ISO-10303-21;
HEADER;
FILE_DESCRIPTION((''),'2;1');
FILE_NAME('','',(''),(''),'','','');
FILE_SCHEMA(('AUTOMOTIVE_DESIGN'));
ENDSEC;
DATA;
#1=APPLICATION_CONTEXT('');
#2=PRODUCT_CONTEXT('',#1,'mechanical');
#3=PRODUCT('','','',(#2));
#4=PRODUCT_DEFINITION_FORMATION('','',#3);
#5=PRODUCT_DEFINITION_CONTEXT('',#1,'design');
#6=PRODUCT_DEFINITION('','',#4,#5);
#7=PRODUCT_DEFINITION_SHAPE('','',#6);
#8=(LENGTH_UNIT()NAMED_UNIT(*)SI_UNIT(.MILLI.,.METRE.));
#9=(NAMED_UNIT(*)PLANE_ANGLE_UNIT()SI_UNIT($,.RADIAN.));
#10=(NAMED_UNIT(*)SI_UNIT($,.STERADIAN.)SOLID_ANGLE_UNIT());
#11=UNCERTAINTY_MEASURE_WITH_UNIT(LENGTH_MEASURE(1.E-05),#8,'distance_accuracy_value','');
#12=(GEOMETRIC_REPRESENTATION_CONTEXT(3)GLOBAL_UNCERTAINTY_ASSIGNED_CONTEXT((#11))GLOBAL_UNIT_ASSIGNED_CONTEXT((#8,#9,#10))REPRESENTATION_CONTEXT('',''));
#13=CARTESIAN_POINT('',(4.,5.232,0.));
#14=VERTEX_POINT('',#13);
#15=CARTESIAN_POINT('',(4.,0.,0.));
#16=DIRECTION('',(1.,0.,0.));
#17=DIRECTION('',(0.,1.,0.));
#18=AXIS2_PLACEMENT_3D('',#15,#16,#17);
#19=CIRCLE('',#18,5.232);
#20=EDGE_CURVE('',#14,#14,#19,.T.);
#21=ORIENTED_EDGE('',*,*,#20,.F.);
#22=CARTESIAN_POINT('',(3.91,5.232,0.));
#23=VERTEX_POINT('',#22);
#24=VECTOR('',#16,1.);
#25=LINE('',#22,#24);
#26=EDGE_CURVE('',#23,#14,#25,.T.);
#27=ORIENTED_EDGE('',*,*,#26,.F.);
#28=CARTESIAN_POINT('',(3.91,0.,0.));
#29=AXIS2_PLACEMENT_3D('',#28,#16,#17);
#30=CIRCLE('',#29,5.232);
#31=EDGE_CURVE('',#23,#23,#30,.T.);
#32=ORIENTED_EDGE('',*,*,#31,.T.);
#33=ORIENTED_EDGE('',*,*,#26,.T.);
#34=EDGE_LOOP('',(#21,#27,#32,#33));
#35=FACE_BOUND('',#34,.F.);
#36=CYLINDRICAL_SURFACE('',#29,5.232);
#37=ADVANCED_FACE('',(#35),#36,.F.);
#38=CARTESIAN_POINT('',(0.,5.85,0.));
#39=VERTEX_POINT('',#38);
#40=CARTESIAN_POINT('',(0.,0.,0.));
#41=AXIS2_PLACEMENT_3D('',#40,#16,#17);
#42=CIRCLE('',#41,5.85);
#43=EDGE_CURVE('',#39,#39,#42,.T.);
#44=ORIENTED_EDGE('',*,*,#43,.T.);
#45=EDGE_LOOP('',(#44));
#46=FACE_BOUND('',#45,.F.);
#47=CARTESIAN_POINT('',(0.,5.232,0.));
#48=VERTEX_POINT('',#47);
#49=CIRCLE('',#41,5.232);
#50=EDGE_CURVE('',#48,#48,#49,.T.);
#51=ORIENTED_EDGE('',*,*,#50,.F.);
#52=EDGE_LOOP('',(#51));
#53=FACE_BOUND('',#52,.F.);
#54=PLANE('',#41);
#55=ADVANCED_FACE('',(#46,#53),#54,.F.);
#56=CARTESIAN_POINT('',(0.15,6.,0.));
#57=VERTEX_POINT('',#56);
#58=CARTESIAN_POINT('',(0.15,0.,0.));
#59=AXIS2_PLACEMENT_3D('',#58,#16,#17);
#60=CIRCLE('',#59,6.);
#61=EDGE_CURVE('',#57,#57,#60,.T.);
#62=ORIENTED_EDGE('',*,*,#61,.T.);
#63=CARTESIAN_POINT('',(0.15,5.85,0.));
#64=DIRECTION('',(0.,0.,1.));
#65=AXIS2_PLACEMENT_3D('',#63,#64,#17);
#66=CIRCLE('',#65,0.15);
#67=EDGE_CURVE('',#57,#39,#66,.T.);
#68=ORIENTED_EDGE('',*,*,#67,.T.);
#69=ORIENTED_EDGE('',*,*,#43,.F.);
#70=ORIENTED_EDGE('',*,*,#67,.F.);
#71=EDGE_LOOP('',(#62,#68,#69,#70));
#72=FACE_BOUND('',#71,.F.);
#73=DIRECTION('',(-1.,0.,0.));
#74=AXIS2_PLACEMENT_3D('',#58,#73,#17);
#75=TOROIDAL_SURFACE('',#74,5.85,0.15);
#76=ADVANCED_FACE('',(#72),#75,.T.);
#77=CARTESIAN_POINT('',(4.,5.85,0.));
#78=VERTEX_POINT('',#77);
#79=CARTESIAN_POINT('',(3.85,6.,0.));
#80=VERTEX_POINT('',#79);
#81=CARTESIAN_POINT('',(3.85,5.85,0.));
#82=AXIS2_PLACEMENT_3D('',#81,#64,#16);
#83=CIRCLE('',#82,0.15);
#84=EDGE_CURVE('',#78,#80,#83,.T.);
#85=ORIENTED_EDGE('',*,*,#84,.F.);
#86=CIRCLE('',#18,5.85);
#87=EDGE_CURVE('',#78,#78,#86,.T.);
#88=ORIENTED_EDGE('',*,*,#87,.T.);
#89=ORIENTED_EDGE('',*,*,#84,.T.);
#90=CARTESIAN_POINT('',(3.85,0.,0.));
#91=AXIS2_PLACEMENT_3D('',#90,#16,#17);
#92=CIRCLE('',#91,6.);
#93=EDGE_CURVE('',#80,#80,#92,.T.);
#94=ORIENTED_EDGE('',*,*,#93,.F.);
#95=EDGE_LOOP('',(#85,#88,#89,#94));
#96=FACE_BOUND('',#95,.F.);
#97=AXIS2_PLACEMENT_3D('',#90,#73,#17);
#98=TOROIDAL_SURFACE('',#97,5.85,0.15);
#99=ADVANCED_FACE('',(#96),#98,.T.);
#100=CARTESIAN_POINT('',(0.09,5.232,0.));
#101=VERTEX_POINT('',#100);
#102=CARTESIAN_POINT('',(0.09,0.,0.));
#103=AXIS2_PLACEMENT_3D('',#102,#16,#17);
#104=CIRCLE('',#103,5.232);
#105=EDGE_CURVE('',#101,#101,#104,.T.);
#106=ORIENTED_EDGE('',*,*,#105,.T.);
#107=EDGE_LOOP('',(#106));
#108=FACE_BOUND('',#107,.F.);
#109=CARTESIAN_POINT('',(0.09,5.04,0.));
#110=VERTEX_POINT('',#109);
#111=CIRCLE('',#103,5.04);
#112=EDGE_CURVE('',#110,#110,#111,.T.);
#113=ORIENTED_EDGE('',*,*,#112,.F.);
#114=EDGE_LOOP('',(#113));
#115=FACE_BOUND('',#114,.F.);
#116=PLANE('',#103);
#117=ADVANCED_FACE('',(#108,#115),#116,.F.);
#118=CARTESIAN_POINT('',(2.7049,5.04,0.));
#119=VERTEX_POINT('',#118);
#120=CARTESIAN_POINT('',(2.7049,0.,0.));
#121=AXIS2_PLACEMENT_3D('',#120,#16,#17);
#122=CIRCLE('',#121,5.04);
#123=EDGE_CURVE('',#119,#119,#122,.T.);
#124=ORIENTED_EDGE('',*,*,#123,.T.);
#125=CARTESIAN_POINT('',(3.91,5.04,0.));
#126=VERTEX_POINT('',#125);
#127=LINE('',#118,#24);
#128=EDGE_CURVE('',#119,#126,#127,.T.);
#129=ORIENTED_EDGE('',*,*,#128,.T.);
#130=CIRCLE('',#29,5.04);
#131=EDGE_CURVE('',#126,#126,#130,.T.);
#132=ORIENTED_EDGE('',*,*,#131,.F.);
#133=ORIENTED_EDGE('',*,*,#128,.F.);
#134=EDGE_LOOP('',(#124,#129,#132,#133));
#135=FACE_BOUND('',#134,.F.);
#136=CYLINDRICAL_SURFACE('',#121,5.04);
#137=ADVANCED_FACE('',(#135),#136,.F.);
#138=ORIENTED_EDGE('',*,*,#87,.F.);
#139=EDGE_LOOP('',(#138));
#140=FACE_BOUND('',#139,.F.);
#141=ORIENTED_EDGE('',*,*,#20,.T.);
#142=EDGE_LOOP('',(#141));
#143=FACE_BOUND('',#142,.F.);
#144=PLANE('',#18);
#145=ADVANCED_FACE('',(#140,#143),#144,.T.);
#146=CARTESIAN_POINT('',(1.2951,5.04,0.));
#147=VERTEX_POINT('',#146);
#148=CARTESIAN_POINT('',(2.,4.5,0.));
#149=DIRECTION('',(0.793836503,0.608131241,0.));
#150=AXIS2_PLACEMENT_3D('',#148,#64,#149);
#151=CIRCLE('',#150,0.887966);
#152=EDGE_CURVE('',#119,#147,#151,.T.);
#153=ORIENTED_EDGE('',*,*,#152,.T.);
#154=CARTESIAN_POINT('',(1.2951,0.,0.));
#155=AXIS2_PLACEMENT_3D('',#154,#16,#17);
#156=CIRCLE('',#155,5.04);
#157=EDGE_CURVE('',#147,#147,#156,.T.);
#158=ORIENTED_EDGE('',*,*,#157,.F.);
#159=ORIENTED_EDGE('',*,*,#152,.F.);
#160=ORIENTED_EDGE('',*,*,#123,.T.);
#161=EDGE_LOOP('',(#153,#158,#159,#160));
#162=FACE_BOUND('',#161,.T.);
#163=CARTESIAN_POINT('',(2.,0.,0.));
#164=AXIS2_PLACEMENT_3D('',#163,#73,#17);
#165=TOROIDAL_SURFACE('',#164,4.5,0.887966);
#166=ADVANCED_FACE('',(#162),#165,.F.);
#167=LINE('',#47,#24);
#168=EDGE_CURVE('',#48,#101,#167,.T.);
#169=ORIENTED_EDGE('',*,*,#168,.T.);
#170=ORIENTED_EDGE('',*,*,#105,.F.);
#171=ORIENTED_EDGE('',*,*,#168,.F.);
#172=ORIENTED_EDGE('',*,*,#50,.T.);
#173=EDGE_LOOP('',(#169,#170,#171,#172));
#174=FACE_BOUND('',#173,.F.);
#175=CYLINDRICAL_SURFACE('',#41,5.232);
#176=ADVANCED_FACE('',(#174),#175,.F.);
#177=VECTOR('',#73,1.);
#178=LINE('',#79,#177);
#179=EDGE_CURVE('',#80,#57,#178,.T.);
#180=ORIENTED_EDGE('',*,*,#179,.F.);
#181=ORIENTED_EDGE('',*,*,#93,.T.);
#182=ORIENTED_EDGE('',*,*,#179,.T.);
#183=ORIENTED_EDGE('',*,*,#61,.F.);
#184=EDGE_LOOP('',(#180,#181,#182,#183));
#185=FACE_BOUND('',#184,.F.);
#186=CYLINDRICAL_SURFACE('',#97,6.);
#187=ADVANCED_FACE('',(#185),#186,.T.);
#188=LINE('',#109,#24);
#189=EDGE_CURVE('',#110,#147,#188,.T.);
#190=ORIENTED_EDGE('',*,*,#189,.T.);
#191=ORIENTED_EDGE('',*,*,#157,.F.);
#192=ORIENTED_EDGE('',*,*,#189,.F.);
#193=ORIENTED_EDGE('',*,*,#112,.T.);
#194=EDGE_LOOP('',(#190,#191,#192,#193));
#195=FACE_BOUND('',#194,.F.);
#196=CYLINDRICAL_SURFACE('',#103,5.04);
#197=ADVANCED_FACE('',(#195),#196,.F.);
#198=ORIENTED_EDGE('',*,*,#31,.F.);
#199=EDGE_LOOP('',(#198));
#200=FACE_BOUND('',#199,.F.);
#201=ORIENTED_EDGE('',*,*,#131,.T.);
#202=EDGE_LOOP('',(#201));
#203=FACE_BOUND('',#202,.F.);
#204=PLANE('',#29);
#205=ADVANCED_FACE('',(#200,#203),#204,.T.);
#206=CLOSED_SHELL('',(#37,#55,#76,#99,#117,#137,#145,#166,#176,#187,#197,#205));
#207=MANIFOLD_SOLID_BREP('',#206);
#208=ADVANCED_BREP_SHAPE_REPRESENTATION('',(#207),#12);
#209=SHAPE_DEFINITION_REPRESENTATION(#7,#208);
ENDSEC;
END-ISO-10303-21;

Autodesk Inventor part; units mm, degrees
sketch "Sketch_3" plane through (0, 0, 0) normal (0, 0, 1) x (1, 0, 0)
  line L0 (4, 0) -> (0, 0)
  line L1 (0, 5.232) -> (0.09, 5.232)
  line L2 (0.09, 5.232) -> (0.09, 5.04)
  line L3 (0.09, 5.04) -> (1.2951, 5.04)
  arc A0 (2.7049, 5.04) -> (1.2951, 5.04) centre (2, 4.5) ccw
  line L4 (2.7049, 5.04) -> (3.91, 5.04)
  line L5 (3.91, 5.04) -> (3.91, 5.232)
  line L6 (3.91, 5.232) -> (4, 5.232)
  line L7 (4, 5.232) -> (4, 5.85)
  arc A1 (4, 5.85) -> (3.85, 6) centre (3.85, 5.85) ccw
  line L8 (3.85, 6) -> (0.15, 6)
  arc A2 (0.15, 6) -> (0, 5.85) centre (0.15, 5.85) ccw
  line L9 (0, 5.85) -> (0, 5.232)
revolve "Revolution1" add sketch "Sketch_3" angle 360 about axis through (4, 0, 0) along (1, 0, 0)
ref_plane "mss_or_XY" through (0, 0, 0) normal (1, 0, 0) x (0, 0, -1)
ref_plane "mss_or_YZ" through (0, 0, 0) normal (0, 0, -1) x (0, 1, 0)
ref_plane "mss_or_ZX" through (0, 0, 0) normal (0, 1, 0) x (1, 0, 0)
ref_plane "mss_or11_XY" through (4, 0, 0) normal (1, 0, 0) x (0, 0, -1)
ref_plane "mss_or11_YZ" through (4, 0, 0) normal (0, 0, -1) x (0, 1, 0)
ref_plane "mss_or11_ZX" through (4, 0, 0) normal (0, 1, 0) x (1, 0, 0)
ref_plane "mss_or2_1_XY" through (1.5, 4.5, 0) normal (1, 0, 0) x (0, 0, -1)
ref_plane "mss_or2_1_YZ" through (1.5, 4.5, 0) normal (0, 0, -1) x (0, 1, 0)
ref_plane "mss_or2_1_ZX" through (1.5, 4.5, 0) normal (0, 1, 0) x (1, 0, 0)
ref_plane "mss_or2_2_XY" through (1.5, 3.4472, 2.8925) normal (1, 0, 0) x (0, 0, -1)
ref_plane "mss_or2_2_YZ" through (1.5, 3.4472, 2.8925) normal (0, 0, -1) x (0, 1, 0)
ref_plane "mss_or2_2_ZX" through (1.5, 3.4472, 2.8925) normal (0, 1, 0) x (1, 0, 0)
ref_plane "mss_or2_3_XY" through (1.5, 0.7814, 4.4316) normal (1, 0, 0) x (0, 0, -1)
ref_plane "mss_or2_3_YZ" through (1.5, 0.7814, 4.4316) normal (0, 0, -1) x (0, 1, 0)
ref_plane "mss_or2_3_ZX" through (1.5, 0.7814, 4.4316) normal (0, 1, 0) x (1, 0, 0)
ref_plane "mss_or2_4_XY" through (1.5, -2.25, 3.8971) normal (1, 0, 0) x (0, 0, -1)
ref_plane "mss_or2_4_YZ" through (1.5, -2.25, 3.8971) normal (0, 0, -1) x (0, 1, 0)
ref_plane "mss_or2_4_ZX" through (1.5, -2.25, 3.8971) normal (0, 1, 0) x (1, 0, 0)
ref_plane "mss_or2_5_XY" through (1.5, -4.2286, 1.5391) normal (1, 0, 0) x (0, 0, -1)
ref_plane "mss_or2_5_YZ" through (1.5, -4.2286, 1.5391) normal (0, 0, -1) x (0, 1, 0)
ref_plane "mss_or2_5_ZX" through (1.5, -4.2286, 1.5391) normal (0, 1, 0) x (1, 0, 0)
ref_plane "mss_or2_6_XY" through (1.5, -4.2286, -1.5391) normal (1, 0, 0) x (0, 0, -1)
ref_plane "mss_or2_6_YZ" through (1.5, -4.2286, -1.5391) normal (0, 0, -1) x (0, 1, 0)
ref_plane "mss_or2_6_ZX" through (1.5, -4.2286, -1.5391) normal (0, 1, 0) x (1, 0, 0)
ref_plane "mss_or2_7_XY" through (1.5, -2.25, -3.8971) normal (1, 0, 0) x (0, 0, -1)
ref_plane "mss_or2_7_YZ" through (1.5, -2.25, -3.8971) normal (0, 0, -1) x (0, 1, 0)
ref_plane "mss_or2_7_ZX" through (1.5, -2.25, -3.8971) normal (0, 1, 0) x (1, 0, 0)
ref_plane "mss_or2_8_XY" through (1.5, 0.7814, -4.4316) normal (1, 0, 0) x (0, 0, -1)
ref_plane "mss_or2_8_YZ" through (1.5, 0.7814, -4.4316) normal (0, 0, -1) x (0, 1, 0)
ref_plane "mss_or2_8_ZX" through (1.5, 0.7814, -4.4316) normal (0, 1, 0) x (1, 0, 0)
ref_plane "mss_or2_9_XY" through (1.5, 3.4472, -2.8925) normal (1, 0, 0) x (0, 0, -1)
ref_plane "mss_or2_9_YZ" through (1.5, 3.4472, -2.8925) normal (0, 0, -1) x (0, 1, 0)
ref_plane "mss_or2_9_ZX" through (1.5, 3.4472, -2.8925) normal (0, 1, 0) x (1, 0, 0)
ref_plane "mss_or21_1_XY" through (2, 4.5, 0) normal (1, 0, 0) x (0, 0, -1)
ref_plane "mss_or21_1_YZ" through (2, 4.5, 0) normal (0, 0, -1) x (0, 1, 0)
ref_plane "mss_or21_1_ZX" through (2, 4.5, 0) normal (0, 1, 0) x (1, 0, 0)
ref_plane "mss_or21_2_XY" through (2, 3.4472, 2.8925) normal (1, 0, 0) x (0, 0, -1)
ref_plane "mss_or21_2_YZ" through (2, 3.4472, 2.8925) normal (0, 0, -1) x (0, 1, 0)
ref_plane "mss_or21_2_ZX" through (2, 3.4472, 2.8925) normal (0, 1, 0) x (1, 0, 0)
ref_plane "mss_or21_3_XY" through (2, 0.7814, 4.4316) normal (1, 0, 0) x (0, 0, -1)
ref_plane "mss_or21_3_YZ" through (2, 0.7814, 4.4316) normal (0, 0, -1) x (0, 1, 0)
ref_plane "mss_or21_3_ZX" through (2, 0.7814, 4.4316) normal (0, 1, 0) x (1, 0, 0)
ref_plane "mss_or21_4_XY" through (2, -2.25, 3.8971) normal (1, 0, 0) x (0, 0, -1)
ref_plane "mss_or21_4_YZ" through (2, -2.25, 3.8971) normal (0, 0, -1) x (0, 1, 0)
ref_plane "mss_or21_4_ZX" through (2, -2.25, 3.8971) normal (0, 1, 0) x (1, 0, 0)
ref_plane "mss_or21_5_XY" through (2, -4.2286, 1.5391) normal (1, 0, 0) x (0, 0, -1)
ref_plane "mss_or21_5_YZ" through (2, -4.2286, 1.5391) normal (0, 0, -1) x (0, 1, 0)
ref_plane "mss_or21_5_ZX" through (2, -4.2286, 1.5391) normal (0, 1, 0) x (1, 0, 0)
ref_plane "mss_or21_6_XY" through (2, -4.2286, -1.5391) normal (1, 0, 0) x (0, 0, -1)
ref_plane "mss_or21_6_YZ" through (2, -4.2286, -1.5391) normal (0, 0, -1) x (0, 1, 0)
ref_plane "mss_or21_6_ZX" through (2, -4.2286, -1.5391) normal (0, 1, 0) x (1, 0, 0)
ref_plane "mss_or21_7_XY" through (2, -2.25, -3.8971) normal (1, 0, 0) x (0, 0, -1)
ref_plane "mss_or21_7_YZ" through (2, -2.25, -3.8971) normal (0, 0, -1) x (0, 1, 0)
ref_plane "mss_or21_7_ZX" through (2, -2.25, -3.8971) normal (0, 1, 0) x (1, 0, 0)
ref_plane "mss_or21_8_XY" through (2, 0.7814, -4.4316) normal (1, 0, 0) x (0, 0, -1)
ref_plane "mss_or21_8_YZ" through (2, 0.7814, -4.4316) normal (0, 0, -1) x (0, 1, 0)
ref_plane "mss_or21_8_ZX" through (2, 0.7814, -4.4316) normal (0, 1, 0) x (1, 0, 0)
ref_plane "mss_or21_9_XY" through (2, 3.4472, -2.8925) normal (1, 0, 0) x (0, 0, -1)
ref_plane "mss_or21_9_YZ" through (2, 3.4472, -2.8925) normal (0, 0, -1) x (0, 1, 0)
ref_plane "mss_or21_9_ZX" through (2, 3.4472, -2.8925) normal (0, 1, 0) x (1, 0, 0)
properties part number "WBC6-12ZZ Outer ring"
